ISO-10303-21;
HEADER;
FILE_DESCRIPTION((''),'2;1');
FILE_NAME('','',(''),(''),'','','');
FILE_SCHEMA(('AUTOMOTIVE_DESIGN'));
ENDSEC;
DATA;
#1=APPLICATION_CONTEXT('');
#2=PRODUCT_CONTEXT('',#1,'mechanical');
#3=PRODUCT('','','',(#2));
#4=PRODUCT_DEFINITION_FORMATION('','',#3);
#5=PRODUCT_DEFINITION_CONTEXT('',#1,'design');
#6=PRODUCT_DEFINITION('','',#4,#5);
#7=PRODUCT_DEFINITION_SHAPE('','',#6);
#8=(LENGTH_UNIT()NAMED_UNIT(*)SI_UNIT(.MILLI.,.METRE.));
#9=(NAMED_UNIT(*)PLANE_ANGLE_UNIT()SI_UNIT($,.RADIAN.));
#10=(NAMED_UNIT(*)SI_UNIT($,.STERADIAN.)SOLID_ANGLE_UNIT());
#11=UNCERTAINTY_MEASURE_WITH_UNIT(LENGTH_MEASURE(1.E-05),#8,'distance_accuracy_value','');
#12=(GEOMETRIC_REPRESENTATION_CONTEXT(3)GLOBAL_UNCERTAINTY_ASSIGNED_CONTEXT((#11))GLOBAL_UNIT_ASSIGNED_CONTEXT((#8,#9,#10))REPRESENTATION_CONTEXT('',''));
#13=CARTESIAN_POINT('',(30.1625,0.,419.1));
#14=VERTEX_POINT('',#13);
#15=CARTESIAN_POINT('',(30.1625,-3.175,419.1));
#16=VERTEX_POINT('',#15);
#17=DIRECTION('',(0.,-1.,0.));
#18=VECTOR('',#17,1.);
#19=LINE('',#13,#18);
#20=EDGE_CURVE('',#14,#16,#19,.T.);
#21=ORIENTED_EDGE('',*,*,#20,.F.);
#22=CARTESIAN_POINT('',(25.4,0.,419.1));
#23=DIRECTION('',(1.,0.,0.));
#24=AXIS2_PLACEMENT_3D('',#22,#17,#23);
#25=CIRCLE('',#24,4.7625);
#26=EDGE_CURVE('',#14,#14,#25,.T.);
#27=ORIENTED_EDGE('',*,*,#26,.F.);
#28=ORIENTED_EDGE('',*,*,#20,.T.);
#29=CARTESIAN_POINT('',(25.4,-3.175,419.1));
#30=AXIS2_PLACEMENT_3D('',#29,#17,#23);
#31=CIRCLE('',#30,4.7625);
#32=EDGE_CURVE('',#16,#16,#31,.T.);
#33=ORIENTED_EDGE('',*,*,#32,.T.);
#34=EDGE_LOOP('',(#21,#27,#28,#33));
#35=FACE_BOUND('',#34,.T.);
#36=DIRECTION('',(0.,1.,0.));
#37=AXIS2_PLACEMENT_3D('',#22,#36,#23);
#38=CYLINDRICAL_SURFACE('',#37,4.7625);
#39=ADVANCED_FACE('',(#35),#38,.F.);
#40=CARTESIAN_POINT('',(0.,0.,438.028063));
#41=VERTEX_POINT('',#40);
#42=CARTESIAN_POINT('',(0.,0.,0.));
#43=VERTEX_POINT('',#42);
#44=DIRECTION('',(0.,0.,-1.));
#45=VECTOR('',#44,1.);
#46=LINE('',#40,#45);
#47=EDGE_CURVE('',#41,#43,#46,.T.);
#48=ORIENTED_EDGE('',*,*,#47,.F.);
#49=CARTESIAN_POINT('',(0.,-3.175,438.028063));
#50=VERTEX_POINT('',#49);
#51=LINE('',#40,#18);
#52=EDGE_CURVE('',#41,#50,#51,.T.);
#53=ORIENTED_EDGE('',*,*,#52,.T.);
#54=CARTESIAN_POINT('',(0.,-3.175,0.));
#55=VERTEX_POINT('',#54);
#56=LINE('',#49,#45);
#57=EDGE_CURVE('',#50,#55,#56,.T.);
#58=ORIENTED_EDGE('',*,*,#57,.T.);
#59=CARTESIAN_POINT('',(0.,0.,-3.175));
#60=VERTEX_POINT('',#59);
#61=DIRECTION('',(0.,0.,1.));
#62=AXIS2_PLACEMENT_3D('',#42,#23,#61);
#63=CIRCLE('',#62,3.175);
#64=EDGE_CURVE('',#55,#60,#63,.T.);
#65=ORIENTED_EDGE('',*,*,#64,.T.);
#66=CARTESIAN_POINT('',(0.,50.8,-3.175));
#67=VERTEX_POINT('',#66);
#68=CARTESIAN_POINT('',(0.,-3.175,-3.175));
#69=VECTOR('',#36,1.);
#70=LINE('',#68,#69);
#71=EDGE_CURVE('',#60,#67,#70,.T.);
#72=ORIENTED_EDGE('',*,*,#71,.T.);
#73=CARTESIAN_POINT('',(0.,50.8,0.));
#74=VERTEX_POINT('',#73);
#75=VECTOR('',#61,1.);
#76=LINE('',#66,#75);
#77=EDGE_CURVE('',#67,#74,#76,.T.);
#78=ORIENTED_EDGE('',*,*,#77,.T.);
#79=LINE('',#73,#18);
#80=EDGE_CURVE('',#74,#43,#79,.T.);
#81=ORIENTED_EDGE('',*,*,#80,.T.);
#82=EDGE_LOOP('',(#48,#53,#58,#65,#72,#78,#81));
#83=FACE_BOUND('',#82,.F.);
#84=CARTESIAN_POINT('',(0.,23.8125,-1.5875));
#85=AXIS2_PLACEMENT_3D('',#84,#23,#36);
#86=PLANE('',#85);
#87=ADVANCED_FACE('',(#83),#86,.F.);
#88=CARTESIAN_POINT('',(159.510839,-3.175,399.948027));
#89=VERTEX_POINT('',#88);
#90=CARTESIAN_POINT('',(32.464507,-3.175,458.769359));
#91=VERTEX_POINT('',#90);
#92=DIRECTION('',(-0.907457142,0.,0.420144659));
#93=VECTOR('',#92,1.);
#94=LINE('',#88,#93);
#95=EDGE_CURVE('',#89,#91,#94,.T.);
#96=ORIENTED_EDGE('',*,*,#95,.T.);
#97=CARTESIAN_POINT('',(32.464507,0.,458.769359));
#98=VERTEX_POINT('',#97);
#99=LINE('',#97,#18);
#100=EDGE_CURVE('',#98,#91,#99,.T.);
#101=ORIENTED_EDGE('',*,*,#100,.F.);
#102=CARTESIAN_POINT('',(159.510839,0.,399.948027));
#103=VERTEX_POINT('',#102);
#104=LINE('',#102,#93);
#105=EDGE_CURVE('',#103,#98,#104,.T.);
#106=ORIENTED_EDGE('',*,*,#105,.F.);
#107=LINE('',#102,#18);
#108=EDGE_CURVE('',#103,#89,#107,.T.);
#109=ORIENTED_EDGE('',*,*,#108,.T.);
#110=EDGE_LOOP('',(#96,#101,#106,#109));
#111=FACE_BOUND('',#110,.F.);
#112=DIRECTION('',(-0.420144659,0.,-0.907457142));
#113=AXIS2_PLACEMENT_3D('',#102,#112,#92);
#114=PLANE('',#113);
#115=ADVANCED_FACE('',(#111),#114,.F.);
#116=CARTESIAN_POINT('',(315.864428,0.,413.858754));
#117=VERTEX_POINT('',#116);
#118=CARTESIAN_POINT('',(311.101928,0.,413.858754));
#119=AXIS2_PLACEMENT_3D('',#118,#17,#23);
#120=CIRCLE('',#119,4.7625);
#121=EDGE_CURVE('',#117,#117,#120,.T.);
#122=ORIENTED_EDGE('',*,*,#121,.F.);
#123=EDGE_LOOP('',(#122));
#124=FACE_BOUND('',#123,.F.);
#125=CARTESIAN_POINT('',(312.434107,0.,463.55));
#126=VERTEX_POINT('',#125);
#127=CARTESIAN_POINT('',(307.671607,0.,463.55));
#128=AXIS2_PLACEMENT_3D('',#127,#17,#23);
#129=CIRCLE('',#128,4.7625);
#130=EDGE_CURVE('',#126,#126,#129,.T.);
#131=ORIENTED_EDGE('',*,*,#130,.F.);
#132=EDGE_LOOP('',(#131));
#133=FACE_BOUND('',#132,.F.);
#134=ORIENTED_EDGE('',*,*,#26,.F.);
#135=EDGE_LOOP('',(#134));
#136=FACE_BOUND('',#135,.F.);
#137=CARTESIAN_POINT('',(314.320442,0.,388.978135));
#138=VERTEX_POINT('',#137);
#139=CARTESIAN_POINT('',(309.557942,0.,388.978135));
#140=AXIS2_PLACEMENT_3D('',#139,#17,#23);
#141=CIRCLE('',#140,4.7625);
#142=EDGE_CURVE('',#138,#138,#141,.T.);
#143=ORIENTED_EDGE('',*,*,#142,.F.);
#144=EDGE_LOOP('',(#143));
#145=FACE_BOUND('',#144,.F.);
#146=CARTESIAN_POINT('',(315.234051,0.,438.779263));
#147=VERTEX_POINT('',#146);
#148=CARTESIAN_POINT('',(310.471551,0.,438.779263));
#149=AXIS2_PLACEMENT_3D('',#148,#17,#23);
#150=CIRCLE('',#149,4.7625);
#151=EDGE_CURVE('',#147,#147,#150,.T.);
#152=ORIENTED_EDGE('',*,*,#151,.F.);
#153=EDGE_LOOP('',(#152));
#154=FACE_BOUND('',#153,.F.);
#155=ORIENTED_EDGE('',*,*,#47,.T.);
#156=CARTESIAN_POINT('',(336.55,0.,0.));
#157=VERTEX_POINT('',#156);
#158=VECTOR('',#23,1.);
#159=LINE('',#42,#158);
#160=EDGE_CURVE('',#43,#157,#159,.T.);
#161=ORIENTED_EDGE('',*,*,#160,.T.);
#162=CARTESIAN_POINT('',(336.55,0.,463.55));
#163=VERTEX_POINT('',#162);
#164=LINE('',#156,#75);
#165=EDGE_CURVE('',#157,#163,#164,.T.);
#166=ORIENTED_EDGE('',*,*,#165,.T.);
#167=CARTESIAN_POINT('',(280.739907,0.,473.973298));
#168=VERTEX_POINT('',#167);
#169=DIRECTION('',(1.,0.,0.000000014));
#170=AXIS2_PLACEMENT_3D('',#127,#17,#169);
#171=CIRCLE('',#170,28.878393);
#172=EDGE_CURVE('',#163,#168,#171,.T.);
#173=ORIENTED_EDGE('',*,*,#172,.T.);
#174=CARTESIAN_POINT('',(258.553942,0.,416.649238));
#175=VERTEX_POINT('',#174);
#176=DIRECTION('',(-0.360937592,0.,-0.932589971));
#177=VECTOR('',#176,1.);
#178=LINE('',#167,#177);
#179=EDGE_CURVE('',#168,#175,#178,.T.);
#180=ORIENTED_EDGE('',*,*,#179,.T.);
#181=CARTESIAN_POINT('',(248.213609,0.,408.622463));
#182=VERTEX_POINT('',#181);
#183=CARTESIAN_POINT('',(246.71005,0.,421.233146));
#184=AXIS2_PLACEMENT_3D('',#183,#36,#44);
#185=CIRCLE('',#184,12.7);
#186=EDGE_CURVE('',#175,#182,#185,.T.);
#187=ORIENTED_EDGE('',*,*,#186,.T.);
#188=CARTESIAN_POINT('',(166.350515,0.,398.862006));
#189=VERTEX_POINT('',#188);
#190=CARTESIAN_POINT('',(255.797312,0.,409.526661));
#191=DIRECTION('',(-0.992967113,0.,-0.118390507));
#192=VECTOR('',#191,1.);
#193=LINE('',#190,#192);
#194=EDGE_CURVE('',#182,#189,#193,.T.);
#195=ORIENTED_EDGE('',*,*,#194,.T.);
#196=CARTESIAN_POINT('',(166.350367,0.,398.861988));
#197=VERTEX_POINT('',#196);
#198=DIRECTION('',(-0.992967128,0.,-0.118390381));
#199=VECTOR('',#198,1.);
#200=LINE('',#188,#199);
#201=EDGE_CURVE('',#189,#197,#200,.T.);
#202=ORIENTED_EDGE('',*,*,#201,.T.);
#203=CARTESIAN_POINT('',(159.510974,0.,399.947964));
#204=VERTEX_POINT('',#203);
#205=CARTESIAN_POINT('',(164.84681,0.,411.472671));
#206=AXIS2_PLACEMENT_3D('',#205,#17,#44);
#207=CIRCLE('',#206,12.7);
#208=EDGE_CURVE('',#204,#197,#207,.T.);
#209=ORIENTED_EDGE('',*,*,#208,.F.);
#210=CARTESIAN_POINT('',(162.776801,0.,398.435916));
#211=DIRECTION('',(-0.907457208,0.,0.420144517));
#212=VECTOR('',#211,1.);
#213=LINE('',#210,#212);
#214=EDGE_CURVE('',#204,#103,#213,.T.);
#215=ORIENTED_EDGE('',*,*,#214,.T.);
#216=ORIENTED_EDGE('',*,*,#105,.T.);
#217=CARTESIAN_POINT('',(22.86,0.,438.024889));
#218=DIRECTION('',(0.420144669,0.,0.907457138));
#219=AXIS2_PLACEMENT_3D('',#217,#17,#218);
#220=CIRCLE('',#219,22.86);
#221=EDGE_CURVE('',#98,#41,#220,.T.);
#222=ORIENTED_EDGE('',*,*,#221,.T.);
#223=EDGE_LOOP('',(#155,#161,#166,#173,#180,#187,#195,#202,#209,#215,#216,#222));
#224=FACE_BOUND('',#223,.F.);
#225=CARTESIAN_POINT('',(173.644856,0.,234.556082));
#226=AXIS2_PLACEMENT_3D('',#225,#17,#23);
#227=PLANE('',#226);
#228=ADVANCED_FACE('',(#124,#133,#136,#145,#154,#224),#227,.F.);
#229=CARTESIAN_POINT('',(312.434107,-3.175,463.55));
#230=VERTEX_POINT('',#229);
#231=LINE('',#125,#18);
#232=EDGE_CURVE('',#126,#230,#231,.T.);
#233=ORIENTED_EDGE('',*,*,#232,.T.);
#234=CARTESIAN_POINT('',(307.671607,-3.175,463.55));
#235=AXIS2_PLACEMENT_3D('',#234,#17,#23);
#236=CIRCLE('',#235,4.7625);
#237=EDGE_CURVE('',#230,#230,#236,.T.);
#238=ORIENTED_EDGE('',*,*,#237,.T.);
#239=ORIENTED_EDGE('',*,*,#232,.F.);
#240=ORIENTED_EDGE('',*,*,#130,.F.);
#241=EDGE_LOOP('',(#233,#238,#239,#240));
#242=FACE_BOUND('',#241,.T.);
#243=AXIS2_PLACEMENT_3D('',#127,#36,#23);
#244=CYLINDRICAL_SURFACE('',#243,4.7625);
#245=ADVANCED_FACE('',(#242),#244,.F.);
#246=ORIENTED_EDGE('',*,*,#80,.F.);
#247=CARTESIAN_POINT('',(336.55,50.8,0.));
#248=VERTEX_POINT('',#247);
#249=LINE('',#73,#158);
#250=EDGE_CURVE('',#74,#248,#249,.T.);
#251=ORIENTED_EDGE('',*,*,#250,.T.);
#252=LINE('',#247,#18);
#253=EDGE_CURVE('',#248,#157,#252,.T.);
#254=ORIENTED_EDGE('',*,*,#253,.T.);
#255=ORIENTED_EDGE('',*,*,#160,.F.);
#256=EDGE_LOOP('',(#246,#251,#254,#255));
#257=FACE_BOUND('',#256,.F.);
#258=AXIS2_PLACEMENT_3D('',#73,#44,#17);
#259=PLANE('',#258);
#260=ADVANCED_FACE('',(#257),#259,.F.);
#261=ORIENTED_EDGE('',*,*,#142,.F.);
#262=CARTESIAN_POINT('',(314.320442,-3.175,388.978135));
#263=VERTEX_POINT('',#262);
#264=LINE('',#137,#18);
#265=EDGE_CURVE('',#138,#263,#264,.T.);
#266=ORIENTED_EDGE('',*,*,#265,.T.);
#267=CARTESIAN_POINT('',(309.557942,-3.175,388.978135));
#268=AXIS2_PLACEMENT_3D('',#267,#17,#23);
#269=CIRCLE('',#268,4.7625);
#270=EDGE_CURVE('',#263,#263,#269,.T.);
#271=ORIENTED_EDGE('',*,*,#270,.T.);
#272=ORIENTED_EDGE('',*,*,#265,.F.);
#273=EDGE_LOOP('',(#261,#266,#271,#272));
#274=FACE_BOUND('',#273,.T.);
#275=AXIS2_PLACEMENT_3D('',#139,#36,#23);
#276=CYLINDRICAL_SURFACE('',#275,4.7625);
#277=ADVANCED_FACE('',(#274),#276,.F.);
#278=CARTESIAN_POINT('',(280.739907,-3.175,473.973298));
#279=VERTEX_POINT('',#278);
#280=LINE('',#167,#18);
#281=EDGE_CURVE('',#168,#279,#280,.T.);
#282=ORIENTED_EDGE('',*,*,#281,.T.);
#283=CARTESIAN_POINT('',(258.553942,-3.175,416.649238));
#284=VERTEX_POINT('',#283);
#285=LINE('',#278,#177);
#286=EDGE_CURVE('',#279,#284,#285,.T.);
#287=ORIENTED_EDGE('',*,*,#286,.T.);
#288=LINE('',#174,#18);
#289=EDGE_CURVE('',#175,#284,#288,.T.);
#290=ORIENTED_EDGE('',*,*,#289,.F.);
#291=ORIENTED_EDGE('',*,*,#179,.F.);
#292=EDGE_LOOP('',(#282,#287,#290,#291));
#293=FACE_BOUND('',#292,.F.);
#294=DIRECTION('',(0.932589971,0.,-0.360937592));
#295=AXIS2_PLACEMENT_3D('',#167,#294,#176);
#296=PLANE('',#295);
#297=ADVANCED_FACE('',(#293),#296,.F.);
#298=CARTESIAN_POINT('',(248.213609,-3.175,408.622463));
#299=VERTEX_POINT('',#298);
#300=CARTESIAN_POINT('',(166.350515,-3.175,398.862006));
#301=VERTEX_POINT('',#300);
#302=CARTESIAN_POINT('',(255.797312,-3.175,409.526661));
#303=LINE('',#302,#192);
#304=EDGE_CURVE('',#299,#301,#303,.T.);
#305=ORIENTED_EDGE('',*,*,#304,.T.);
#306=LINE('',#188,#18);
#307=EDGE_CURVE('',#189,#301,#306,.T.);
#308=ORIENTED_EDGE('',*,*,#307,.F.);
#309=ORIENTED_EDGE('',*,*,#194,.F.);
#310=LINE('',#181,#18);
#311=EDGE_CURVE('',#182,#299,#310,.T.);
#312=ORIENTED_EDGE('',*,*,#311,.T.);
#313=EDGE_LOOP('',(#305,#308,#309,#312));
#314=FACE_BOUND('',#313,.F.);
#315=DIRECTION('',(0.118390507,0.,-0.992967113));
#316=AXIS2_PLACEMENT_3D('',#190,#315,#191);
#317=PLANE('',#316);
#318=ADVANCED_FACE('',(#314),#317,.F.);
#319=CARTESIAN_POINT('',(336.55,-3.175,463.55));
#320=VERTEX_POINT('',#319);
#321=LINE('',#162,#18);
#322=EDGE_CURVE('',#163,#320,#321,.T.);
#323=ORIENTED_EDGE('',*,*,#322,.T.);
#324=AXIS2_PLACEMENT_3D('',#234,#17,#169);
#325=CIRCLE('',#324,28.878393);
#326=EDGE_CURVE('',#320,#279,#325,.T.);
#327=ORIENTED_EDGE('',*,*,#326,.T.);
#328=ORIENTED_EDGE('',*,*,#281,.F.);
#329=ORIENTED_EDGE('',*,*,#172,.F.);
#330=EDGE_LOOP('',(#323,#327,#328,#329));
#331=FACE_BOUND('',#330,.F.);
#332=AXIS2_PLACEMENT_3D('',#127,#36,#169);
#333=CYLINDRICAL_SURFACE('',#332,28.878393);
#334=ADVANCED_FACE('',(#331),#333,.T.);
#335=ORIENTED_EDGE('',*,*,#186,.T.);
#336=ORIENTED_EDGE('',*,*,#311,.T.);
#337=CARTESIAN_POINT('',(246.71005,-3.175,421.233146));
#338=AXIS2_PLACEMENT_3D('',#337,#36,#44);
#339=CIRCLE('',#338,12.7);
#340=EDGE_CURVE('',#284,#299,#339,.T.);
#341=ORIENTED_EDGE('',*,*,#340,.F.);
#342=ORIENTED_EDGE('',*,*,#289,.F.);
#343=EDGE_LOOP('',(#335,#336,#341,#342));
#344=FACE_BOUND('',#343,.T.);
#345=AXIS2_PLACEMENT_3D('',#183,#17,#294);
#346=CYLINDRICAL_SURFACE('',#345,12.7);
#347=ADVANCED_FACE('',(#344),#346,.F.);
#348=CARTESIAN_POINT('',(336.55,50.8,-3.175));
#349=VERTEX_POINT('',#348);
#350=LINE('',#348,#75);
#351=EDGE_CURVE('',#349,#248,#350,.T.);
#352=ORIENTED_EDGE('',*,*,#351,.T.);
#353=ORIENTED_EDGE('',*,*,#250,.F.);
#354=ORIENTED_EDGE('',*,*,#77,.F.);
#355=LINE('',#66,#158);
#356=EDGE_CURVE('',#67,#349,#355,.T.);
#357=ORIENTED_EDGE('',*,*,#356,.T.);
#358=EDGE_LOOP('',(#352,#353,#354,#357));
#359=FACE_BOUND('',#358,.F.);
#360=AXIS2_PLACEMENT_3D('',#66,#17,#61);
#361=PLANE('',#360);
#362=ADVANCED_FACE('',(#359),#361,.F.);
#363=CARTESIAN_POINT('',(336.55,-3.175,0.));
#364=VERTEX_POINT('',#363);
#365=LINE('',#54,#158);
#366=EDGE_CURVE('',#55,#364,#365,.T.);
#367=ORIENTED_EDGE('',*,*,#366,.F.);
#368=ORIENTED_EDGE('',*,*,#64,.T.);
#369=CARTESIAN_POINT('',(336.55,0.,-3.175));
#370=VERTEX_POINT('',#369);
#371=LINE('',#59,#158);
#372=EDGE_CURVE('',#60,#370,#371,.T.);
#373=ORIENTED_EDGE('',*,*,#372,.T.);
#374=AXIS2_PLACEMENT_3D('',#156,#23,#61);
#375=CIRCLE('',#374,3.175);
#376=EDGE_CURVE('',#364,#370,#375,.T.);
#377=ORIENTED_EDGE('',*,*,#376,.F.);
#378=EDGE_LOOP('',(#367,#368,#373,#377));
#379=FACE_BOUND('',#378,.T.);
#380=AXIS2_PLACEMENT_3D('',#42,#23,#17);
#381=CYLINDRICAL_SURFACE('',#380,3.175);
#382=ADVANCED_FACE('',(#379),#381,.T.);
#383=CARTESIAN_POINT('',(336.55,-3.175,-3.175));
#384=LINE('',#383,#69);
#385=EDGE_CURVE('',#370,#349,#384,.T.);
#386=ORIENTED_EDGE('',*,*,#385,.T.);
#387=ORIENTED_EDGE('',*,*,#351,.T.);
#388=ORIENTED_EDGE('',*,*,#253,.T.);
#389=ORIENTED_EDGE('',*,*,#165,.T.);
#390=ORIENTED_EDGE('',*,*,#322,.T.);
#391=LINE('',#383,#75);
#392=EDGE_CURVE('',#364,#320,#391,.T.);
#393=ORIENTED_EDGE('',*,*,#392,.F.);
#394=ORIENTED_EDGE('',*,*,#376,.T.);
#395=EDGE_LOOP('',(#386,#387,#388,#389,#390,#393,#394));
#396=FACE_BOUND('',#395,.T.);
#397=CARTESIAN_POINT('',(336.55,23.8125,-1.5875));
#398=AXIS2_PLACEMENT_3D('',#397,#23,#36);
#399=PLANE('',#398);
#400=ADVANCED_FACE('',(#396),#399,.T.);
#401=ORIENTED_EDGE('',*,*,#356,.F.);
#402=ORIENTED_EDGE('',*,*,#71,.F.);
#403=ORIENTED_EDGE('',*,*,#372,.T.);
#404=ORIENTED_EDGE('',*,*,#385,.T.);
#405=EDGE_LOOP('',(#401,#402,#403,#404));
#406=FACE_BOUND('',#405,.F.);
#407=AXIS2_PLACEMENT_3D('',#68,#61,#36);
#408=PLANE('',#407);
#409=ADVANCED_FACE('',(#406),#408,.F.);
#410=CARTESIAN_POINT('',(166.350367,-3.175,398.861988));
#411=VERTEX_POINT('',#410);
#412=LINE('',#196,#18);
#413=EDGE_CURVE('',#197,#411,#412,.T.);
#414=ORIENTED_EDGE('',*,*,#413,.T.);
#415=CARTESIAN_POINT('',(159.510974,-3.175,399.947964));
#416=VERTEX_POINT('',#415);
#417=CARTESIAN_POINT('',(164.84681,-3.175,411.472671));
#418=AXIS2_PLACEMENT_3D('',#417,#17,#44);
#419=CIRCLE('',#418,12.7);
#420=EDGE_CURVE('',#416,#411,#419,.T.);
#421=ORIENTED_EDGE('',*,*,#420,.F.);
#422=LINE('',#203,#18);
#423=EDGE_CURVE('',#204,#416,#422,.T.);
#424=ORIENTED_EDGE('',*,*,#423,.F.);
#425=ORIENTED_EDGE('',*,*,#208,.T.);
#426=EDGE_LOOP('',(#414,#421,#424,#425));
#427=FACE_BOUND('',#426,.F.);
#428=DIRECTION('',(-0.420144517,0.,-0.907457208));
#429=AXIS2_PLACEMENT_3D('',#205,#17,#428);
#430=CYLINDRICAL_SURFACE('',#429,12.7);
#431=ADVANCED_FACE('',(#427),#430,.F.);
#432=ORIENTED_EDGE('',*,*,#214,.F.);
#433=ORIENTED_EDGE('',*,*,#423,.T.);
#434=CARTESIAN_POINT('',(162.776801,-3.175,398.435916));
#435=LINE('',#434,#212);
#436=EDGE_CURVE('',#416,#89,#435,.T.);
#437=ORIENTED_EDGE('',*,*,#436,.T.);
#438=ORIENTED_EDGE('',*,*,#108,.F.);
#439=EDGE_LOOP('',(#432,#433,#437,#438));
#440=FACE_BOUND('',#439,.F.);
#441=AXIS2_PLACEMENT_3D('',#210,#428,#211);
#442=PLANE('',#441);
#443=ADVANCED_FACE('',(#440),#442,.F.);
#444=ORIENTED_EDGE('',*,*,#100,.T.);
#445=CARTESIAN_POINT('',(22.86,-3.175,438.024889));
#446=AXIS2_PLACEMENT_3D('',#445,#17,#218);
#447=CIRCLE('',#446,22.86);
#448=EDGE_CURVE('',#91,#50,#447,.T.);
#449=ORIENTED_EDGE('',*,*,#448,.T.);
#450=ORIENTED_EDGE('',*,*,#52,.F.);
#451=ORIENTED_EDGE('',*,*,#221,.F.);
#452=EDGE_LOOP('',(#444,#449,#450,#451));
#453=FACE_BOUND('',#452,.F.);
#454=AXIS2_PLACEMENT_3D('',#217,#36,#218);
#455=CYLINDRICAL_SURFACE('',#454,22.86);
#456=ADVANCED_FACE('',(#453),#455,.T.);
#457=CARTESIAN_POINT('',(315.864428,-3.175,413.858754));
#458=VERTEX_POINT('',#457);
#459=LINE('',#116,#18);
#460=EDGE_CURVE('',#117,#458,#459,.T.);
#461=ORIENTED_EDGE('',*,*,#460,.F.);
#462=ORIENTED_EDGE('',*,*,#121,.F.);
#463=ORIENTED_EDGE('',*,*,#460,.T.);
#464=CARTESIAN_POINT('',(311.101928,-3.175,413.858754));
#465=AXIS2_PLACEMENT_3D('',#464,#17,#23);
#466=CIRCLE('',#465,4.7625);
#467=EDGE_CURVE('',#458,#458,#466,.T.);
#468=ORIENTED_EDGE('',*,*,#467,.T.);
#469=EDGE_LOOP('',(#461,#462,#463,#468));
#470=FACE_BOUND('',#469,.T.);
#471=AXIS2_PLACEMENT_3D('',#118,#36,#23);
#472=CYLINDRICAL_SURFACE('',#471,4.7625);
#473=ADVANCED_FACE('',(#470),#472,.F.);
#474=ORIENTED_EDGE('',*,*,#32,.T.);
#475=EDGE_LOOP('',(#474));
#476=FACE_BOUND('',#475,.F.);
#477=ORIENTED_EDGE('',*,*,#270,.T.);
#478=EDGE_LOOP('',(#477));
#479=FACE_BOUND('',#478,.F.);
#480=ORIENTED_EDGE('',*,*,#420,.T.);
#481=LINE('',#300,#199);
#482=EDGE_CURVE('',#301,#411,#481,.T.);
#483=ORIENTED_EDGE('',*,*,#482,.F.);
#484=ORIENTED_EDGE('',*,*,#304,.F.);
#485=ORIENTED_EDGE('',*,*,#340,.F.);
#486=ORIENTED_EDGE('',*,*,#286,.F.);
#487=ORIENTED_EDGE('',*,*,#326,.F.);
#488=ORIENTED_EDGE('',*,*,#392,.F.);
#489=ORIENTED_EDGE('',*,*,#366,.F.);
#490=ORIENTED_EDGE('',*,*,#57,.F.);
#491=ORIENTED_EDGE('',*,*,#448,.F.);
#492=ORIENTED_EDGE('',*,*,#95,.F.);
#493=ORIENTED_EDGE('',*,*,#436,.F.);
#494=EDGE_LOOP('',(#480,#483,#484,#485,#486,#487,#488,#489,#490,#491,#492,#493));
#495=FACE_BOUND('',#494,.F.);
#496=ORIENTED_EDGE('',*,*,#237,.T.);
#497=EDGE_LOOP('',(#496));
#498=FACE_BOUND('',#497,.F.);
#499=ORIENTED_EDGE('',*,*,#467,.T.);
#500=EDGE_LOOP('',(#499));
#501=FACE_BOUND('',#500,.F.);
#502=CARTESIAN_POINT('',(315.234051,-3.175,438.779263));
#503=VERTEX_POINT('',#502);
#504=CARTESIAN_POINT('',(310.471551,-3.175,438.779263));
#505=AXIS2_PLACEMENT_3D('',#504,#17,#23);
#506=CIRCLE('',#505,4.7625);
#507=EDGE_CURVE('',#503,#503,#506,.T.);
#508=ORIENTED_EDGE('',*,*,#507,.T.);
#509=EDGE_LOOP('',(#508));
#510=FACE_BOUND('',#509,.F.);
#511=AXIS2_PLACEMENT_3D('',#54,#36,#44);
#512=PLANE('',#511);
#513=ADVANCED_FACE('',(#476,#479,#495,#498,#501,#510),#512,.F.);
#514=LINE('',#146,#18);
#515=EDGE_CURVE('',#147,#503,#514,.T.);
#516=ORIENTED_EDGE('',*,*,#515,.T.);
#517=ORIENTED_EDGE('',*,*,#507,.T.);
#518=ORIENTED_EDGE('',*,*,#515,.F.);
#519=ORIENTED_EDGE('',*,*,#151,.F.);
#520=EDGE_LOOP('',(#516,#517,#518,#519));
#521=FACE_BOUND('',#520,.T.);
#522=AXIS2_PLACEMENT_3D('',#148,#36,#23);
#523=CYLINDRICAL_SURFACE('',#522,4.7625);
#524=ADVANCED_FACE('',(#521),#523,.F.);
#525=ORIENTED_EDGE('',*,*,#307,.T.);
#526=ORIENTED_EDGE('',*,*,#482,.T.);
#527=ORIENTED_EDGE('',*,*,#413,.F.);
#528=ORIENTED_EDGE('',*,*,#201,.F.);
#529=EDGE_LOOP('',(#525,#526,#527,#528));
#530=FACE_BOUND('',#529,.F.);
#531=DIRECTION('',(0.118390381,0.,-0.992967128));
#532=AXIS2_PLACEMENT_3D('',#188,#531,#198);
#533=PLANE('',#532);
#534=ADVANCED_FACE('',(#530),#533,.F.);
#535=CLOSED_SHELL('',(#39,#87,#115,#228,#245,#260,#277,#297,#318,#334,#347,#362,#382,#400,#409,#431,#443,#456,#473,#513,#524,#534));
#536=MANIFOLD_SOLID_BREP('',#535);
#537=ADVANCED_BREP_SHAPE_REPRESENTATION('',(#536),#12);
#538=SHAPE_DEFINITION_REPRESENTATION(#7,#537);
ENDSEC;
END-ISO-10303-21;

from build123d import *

# Parameters (mm, degrees)
F1_R     = 4.7625
F2_DEPTH = 3.175
F3_R     = 12.7
F5_DEPTH = 336.55
F6_R     = 3.175


with BuildPart() as f2:
    # F1 (on Front) → F2 (new body)
    with BuildSketch(Plane.XZ):
        with BuildLine():
            Line((0, 438.028063), (0, 0))
            Line((0, 0), (336.55, 0))
            Line((336.55, 0), (336.55, 463.55))
            ThreePointArc((336.55, 463.55), (312.97337, 491.937548), (280.739907, 473.973298))
            Line((280.739907, 473.973298), (255.797312, 409.526661))
            Line((255.797312, 409.526661), (166.350515, 398.862006))
            Line((166.350515, 398.862006), (162.776801, 398.435916))
            Line((162.776801, 398.435916), (159.510839, 399.948027))
            Line((159.510839, 399.948027), (32.464507, 458.769359))
            ThreePointArc((32.464507, 458.769359), (10.552386, 457.288903), (0, 438.028063))
        make_face()
        with Locations((25.4, 419.1)):
            Circle(F1_R, mode=Mode.SUBTRACT)
        with Locations((309.557942, 388.978135)):
            Circle(F1_R, mode=Mode.SUBTRACT)
        with Locations((311.101928, 413.858754)):
            Circle(F1_R, mode=Mode.SUBTRACT)
        with Locations((310.471551, 438.779263)):
            Circle(F1_R, mode=Mode.SUBTRACT)
        with Locations((307.671607, 463.55)):
            Circle(F1_R, mode=Mode.SUBTRACT)
    extrude(amount=F2_DEPTH)

    # F3
    f3_edges = [f2.edges().sort_by_distance(p)[0] for p in [
        (162.776801, -1.5875, 398.435916),
        (255.797312, -1.5875, 409.526661),
    ]]
    fillet(f3_edges, radius=F3_R)

    # F4 (on Right) → F5 (join, through all)
    with BuildSketch(Plane.YZ):
        Polygon((0, 0), (-3.175, 0), (-3.175, -3.175), (50.8, -3.175), (50.8, 0), align=None)
    extrude(amount=F5_DEPTH)

    # F6
    f6_edges = [f2.edges().sort_by_distance(p)[0] for p in [
        (168.275, -3.175, -3.175),
    ]]
    fillet(f6_edges, radius=F6_R)


solid = f2.part
